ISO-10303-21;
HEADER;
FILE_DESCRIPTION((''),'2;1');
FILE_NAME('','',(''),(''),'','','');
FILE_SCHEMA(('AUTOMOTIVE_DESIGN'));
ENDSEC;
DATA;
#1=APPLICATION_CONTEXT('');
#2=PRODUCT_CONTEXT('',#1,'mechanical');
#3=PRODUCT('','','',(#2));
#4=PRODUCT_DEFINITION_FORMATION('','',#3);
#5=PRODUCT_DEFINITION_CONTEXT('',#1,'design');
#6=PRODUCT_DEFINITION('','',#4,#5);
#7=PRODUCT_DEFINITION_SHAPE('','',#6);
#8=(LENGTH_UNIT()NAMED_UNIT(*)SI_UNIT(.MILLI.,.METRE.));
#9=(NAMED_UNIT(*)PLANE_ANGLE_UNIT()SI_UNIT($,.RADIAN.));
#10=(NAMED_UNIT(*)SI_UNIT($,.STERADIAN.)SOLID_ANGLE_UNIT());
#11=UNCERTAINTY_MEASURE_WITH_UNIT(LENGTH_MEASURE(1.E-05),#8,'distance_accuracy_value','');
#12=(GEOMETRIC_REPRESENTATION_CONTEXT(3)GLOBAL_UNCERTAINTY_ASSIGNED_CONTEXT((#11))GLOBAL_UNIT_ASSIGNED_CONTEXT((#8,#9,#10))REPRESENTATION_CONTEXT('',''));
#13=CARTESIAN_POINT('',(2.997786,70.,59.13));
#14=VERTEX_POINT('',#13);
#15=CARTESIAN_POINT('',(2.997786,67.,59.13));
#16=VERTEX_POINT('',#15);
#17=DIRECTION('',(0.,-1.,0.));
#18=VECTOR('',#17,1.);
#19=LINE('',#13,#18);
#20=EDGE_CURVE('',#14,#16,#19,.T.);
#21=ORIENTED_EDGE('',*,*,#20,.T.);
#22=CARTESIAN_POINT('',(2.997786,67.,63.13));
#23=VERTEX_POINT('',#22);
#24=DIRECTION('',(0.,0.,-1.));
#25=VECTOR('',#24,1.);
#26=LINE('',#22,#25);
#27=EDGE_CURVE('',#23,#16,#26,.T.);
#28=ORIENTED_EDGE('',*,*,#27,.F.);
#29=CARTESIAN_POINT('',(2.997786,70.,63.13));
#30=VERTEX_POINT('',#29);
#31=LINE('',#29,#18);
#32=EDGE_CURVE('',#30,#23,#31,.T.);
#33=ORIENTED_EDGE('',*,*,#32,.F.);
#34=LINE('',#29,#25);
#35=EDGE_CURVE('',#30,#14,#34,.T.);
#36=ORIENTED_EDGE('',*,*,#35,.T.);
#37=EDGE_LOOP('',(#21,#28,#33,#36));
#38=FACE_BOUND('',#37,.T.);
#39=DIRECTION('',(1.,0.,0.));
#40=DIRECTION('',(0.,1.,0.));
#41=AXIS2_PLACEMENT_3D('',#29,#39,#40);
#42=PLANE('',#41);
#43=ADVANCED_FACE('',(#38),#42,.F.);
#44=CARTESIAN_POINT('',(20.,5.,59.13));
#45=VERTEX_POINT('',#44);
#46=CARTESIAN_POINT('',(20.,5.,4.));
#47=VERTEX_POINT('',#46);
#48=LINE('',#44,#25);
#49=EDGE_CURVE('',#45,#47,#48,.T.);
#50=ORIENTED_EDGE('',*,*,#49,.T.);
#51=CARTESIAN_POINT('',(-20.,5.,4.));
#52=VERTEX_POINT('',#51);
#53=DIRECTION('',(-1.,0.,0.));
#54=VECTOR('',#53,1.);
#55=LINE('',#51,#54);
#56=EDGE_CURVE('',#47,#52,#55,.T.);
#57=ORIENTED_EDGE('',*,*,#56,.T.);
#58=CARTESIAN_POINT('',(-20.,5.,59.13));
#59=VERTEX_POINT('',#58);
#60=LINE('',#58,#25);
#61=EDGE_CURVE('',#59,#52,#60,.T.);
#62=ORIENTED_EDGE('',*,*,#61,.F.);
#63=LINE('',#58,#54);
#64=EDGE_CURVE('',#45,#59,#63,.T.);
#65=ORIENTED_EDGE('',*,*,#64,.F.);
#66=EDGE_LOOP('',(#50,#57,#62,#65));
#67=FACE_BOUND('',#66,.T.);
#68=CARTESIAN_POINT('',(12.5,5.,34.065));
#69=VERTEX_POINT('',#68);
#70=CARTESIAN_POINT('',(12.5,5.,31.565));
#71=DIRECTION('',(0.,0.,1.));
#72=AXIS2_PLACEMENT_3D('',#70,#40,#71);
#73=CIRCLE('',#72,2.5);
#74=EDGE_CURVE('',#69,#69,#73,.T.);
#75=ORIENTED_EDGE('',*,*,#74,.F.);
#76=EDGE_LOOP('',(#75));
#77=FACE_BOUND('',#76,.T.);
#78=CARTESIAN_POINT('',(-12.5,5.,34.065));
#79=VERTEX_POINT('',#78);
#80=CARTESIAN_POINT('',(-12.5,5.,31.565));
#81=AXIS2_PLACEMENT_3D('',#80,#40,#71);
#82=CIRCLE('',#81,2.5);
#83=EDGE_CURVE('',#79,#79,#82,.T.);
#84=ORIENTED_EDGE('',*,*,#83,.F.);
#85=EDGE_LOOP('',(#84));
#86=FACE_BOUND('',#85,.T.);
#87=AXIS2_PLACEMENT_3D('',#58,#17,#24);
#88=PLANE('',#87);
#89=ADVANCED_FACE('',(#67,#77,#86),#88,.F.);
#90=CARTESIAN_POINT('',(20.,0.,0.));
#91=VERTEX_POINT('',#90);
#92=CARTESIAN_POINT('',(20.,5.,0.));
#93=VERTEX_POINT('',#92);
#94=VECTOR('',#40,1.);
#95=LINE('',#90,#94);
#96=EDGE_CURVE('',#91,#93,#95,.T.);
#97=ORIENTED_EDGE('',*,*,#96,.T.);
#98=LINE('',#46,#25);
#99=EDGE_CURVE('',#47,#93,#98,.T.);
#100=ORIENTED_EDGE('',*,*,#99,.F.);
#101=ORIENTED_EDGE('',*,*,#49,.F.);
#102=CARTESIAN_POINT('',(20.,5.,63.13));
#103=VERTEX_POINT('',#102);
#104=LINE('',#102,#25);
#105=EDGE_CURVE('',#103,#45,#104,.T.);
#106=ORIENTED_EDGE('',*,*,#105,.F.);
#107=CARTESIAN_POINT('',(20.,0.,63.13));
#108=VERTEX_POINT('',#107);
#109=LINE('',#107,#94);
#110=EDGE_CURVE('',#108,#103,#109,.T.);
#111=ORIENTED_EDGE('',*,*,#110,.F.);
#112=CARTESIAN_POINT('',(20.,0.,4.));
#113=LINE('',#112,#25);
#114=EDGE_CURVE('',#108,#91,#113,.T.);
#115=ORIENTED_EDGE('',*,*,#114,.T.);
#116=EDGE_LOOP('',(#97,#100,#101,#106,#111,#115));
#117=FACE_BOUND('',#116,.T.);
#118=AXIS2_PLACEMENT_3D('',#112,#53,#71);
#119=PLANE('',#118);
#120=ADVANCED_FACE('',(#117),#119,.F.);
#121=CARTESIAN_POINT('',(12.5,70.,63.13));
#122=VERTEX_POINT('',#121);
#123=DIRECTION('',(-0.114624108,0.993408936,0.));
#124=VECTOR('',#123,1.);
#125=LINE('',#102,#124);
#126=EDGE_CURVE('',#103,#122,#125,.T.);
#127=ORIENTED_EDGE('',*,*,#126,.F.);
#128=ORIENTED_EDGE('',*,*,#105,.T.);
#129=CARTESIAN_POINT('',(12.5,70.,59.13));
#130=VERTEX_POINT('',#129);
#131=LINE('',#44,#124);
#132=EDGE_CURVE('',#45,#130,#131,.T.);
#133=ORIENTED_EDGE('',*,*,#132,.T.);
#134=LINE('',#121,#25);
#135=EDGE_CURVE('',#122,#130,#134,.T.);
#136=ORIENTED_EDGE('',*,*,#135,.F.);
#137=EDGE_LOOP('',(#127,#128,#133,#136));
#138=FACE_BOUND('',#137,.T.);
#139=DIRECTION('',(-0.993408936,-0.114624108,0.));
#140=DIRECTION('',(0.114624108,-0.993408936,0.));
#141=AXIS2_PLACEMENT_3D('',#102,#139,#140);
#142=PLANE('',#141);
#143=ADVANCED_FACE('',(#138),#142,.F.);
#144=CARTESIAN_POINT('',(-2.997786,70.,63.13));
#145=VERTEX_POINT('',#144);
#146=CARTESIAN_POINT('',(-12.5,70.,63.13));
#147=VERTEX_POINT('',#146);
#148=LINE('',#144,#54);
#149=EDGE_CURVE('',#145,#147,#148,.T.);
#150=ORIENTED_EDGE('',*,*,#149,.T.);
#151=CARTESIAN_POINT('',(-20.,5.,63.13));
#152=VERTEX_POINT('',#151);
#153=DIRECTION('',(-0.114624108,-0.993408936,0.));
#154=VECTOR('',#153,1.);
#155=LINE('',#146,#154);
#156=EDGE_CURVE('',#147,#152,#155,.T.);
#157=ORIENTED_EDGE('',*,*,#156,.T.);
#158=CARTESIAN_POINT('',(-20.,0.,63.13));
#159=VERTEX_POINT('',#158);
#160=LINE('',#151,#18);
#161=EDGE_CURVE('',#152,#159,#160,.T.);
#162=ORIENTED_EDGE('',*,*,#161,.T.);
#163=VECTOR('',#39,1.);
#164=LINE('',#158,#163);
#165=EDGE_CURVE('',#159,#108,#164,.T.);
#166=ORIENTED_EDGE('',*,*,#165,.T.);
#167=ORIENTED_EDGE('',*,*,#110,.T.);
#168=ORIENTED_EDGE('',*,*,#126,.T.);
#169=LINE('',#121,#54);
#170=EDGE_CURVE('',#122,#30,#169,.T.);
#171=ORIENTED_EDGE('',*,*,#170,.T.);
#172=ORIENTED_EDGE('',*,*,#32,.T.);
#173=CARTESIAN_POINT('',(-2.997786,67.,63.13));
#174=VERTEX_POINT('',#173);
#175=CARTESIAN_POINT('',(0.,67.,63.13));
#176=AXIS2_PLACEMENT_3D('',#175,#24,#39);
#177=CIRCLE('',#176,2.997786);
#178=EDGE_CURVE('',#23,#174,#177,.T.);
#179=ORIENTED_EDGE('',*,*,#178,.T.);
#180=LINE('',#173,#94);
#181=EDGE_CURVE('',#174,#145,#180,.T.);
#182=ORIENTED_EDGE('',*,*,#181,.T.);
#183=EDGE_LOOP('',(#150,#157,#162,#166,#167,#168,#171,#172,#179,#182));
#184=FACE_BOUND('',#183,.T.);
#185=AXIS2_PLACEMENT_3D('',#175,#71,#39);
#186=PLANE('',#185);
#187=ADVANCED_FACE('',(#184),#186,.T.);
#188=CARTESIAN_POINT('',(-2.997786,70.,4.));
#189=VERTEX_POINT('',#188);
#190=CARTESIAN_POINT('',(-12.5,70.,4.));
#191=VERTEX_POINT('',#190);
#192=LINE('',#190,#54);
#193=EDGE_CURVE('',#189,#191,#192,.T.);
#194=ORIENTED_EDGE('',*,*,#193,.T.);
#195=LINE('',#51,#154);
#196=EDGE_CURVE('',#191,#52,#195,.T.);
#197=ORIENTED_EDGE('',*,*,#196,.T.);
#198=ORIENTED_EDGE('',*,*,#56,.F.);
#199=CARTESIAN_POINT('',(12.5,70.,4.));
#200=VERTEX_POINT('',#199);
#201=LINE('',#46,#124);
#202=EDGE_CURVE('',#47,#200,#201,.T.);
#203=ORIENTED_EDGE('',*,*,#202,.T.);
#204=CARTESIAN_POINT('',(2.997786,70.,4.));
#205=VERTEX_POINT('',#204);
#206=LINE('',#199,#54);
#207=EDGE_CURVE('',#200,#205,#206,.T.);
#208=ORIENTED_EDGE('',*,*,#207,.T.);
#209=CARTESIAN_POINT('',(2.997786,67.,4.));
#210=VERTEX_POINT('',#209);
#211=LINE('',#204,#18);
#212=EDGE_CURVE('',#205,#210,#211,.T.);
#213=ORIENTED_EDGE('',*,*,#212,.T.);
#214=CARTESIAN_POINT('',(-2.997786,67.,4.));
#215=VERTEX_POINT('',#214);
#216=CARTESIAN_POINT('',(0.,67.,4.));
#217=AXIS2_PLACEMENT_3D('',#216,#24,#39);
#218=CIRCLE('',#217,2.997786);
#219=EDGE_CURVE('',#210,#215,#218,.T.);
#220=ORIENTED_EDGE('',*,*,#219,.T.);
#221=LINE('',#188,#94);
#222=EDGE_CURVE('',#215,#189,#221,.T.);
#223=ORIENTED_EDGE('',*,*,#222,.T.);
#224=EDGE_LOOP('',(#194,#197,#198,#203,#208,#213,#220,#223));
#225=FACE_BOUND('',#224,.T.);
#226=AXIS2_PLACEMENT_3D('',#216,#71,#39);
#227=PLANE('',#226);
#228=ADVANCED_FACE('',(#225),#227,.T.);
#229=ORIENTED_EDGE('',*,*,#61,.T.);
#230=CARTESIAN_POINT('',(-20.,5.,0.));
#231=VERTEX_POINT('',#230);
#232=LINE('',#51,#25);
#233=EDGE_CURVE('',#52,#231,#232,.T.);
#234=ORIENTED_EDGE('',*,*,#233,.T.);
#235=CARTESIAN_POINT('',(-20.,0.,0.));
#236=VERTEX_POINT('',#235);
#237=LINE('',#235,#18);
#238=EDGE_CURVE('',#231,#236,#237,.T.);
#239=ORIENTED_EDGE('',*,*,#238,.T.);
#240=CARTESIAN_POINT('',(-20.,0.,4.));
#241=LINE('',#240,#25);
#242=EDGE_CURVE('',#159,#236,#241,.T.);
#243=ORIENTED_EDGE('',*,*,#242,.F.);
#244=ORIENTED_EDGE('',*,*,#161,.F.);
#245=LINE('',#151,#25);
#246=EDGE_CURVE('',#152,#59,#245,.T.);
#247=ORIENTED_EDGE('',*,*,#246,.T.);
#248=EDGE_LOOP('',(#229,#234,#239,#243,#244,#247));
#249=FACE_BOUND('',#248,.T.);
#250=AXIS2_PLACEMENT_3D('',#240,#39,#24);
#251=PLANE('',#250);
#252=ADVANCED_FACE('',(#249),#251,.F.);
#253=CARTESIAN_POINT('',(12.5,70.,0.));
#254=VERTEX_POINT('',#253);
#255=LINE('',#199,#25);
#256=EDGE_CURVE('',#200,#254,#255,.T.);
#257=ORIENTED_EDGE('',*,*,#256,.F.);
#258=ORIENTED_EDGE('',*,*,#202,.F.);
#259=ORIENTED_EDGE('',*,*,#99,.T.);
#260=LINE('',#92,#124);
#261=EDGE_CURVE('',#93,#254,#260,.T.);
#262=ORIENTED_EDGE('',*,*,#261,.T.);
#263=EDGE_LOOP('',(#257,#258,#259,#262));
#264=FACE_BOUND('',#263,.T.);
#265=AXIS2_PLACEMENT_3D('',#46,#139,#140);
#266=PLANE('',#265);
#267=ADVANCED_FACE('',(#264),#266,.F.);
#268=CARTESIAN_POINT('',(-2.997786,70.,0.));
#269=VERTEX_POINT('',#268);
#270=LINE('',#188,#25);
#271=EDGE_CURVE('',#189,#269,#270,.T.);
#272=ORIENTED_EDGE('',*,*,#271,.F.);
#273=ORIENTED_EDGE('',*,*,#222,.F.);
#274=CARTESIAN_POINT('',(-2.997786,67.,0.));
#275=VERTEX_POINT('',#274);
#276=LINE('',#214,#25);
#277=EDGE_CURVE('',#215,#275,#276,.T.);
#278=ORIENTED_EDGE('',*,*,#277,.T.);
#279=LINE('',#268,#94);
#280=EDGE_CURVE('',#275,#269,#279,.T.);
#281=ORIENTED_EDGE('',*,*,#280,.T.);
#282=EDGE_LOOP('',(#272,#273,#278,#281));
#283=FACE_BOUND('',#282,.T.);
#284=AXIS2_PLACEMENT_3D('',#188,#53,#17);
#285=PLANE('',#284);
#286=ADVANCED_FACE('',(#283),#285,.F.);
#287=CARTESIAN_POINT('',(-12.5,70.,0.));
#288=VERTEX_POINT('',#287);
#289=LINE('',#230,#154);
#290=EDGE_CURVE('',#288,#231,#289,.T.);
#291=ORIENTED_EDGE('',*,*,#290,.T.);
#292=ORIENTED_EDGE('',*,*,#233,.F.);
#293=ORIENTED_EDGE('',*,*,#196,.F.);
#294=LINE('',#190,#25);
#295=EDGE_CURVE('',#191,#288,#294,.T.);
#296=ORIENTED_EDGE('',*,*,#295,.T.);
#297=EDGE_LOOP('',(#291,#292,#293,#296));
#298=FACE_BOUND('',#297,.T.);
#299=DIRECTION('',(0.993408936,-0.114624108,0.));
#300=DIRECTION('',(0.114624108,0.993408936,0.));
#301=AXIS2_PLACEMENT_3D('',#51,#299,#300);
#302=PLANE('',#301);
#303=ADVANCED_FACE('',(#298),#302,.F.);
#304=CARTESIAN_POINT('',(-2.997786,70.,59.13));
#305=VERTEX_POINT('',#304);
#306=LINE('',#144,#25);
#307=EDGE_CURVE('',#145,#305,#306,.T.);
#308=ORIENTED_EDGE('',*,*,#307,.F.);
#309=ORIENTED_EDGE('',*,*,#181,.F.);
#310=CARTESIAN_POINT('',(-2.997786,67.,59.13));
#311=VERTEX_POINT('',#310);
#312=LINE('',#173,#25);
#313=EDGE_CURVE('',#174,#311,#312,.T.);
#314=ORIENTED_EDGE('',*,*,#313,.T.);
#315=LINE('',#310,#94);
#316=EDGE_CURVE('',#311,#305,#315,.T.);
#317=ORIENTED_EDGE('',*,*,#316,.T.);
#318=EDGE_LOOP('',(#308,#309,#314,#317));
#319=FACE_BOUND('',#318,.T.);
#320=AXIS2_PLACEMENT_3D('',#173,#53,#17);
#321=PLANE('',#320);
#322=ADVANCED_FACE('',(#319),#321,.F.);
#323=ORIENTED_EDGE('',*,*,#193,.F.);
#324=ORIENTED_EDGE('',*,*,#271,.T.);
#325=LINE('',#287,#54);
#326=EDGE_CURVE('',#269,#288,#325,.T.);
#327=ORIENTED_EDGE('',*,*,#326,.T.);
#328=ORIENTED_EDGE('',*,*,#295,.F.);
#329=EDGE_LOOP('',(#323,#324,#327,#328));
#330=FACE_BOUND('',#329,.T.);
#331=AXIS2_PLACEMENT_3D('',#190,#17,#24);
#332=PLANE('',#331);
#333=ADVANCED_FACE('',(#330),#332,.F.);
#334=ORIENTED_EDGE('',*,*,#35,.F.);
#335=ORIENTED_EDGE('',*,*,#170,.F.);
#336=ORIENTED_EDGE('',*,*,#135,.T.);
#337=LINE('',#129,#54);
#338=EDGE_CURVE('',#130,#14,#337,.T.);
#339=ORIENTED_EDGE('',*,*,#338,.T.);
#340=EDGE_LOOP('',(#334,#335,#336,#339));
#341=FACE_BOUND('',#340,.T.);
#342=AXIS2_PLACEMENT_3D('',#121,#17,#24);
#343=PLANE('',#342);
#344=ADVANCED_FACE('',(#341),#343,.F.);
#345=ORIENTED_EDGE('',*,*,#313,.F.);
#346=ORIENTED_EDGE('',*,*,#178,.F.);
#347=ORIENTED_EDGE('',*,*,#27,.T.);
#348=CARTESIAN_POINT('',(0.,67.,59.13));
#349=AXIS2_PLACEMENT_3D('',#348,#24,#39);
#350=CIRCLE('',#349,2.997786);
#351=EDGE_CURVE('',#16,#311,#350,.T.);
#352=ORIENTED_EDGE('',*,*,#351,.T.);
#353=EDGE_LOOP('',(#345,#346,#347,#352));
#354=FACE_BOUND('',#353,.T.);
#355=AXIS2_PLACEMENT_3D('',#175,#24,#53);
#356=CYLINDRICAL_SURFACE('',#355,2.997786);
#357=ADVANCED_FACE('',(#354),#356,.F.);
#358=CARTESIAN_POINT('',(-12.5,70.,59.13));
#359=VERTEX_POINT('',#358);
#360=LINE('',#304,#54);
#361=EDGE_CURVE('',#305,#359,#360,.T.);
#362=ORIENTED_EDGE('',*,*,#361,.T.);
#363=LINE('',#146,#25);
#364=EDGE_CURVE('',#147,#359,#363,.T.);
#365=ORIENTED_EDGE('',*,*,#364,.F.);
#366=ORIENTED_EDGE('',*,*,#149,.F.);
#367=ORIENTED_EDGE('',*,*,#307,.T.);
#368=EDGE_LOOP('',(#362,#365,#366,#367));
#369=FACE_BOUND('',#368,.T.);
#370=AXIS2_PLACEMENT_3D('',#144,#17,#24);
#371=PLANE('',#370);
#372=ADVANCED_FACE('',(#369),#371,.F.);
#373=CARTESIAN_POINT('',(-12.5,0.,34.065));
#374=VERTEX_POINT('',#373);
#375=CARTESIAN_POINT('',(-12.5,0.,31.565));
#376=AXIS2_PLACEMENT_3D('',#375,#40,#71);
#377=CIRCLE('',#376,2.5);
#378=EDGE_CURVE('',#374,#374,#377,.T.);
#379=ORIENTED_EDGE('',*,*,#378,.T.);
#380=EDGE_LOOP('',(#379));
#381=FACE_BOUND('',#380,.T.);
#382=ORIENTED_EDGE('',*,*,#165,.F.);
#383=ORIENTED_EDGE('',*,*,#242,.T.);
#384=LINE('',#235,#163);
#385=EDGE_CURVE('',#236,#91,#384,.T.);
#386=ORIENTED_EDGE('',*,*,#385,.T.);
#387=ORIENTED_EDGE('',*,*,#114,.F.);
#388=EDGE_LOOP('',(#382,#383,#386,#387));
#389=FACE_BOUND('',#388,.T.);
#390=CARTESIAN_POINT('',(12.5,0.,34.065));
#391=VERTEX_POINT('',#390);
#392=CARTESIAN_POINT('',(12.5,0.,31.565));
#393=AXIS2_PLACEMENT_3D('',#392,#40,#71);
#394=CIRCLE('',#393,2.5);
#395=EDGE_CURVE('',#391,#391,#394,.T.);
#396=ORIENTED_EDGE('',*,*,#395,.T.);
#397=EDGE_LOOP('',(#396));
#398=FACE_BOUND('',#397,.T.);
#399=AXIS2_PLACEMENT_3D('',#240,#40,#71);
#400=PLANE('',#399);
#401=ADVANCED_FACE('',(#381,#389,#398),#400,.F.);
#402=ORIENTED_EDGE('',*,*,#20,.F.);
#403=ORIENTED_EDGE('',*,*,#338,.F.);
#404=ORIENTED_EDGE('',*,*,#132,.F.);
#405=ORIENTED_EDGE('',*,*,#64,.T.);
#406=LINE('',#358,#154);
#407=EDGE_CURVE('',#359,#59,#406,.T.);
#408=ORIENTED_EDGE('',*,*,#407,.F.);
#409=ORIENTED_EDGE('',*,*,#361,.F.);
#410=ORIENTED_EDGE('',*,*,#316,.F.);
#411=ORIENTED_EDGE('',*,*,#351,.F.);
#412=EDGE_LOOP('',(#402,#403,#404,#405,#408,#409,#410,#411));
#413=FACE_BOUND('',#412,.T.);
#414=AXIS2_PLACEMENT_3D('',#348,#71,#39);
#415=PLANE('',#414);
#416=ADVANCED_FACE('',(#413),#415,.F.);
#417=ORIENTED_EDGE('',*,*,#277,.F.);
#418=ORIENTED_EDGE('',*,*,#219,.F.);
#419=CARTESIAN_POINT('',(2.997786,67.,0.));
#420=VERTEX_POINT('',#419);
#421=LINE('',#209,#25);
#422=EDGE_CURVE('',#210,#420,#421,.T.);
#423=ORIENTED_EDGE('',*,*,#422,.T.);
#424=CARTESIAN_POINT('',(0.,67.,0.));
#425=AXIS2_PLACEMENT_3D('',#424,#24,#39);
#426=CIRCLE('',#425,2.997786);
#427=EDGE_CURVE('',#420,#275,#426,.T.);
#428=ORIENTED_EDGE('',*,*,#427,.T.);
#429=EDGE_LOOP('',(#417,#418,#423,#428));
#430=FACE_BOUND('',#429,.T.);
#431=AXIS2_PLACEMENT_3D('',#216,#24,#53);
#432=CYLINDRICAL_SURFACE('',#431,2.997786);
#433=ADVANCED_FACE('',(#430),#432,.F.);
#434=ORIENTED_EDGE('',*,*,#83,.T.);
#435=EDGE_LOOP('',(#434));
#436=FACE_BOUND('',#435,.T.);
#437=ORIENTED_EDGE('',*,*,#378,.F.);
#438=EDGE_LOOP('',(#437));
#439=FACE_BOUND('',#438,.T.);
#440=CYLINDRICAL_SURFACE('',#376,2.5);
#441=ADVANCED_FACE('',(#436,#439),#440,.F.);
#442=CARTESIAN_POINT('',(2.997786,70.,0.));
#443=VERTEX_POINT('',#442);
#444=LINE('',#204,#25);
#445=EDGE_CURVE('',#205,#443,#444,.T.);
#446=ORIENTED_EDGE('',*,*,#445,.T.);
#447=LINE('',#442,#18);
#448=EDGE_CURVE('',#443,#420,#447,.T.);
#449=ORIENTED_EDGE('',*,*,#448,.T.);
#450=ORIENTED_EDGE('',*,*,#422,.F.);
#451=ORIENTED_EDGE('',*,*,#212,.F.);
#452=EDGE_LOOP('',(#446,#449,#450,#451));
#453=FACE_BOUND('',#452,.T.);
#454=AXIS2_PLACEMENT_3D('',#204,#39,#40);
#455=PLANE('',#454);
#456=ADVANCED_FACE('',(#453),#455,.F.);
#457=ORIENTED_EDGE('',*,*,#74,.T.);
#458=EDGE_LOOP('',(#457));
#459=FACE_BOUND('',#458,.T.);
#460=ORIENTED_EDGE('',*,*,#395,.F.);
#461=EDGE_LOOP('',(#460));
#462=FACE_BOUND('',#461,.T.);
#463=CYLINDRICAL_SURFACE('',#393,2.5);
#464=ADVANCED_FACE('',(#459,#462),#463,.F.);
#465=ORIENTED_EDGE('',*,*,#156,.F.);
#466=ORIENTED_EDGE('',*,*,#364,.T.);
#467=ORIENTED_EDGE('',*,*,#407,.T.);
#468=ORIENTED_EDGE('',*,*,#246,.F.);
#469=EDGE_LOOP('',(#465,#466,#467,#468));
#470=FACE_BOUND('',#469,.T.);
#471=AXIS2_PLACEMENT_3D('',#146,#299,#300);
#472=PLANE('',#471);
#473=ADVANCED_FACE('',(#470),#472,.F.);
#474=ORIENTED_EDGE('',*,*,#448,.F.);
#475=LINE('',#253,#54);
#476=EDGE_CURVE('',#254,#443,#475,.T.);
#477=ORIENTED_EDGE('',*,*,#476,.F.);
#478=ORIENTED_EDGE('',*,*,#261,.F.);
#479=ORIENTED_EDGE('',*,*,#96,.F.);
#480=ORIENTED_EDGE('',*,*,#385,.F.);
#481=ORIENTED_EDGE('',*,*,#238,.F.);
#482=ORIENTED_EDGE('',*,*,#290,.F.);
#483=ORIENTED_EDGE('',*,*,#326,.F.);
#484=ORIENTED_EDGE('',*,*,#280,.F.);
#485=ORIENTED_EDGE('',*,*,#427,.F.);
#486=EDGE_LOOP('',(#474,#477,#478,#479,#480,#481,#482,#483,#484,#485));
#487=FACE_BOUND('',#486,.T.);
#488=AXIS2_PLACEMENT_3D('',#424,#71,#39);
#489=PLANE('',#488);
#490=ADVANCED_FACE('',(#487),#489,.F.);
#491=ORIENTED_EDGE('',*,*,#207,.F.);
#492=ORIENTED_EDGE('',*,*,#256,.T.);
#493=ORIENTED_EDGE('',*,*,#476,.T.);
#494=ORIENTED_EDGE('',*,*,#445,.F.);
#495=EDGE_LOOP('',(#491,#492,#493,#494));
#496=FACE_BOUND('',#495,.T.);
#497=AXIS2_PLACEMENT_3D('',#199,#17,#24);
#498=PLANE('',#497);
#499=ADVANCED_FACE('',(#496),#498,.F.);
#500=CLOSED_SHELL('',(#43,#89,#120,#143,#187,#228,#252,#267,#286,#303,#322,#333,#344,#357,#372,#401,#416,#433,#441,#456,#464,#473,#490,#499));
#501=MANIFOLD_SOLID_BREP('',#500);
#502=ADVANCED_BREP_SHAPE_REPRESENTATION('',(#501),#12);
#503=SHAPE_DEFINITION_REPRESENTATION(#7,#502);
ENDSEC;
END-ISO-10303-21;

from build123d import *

# Parameters (mm, degrees)
ESTRUSIONE_ESTRUSIONE1_DEPTH = 4
SCHIZZO2_W                   = 40
SCHIZZO2_H                   = 5
ESTRUSIONE_ESTRUSIONE2_DEPTH = 55.13
ESTRUSIONE_ESTRUSIONE3_DEPTH = 4
SCHIZZO4_R                   = 2.5
TAGLIO_ESTRUSIONE1_DEPTH     = 93.792224351


with BuildPart() as part:
    # Schizzo1 → Estrusione-Estrusione1 (new body)
    with BuildSketch(Plane.XY):
        with BuildLine():
            Line((-20, 0), (20, 0))
            Line((20, 0), (20, 5))
            Line((20, 5), (12.5, 70))
            Line((12.5, 70), (2.997785692, 70))
            Line((2.997785692, 70), (2.997785692, 67))
            ThreePointArc((2.997785692, 67), (0, 64.002214308), (-2.997785692, 67))
            Line((-2.997785692, 67), (-2.997785692, 70))
            Line((-2.997785692, 70), (-12.5, 70))
            Line((-12.5, 70), (-20, 5))
            Line((-20, 5), (-20, 0))
        make_face()
    extrude(amount=ESTRUSIONE_ESTRUSIONE1_DEPTH)

    # Schizzo2 → Estrusione-Estrusione2 (add)
    with BuildSketch(Plane.XY.offset(4)):
        with Locations((0, 2.5)):
            Rectangle(SCHIZZO2_W, SCHIZZO2_H)
    extrude(amount=ESTRUSIONE_ESTRUSIONE2_DEPTH)

    # Schizzo3 → Estrusione-Estrusione3 (add)
    with BuildSketch(Plane.XY.offset(59.13)):
        with BuildLine():
            Line((20, 5), (12.5, 70))
            Line((12.5, 70), (2.997785692, 70))
            Line((2.997785692, 70), (2.997785692, 67))
            ThreePointArc((2.997785692, 67), (0, 64.002214308), (-2.997785692, 67))
            Line((-2.997785692, 67), (-2.997785692, 70))
            Line((-2.997785692, 70), (-12.5, 70))
            Line((-12.5, 70), (-20, 5))
            Line((-20, 5), (-20, 0))
            Line((-20, 0), (20, 0))
            Line((20, 0), (20, 5))
        make_face()
    extrude(amount=ESTRUSIONE_ESTRUSIONE3_DEPTH)

    # Schizzo4 → Taglio-Estrusione1 (cut, through all)
    with BuildSketch(Plane(origin=(0, 5, 0), x_dir=(1, 0, 0), z_dir=(0, 1, 0))):
        with Locations(Location((12.5, -31.565, 0), (0, 0, 270))):
            Circle(SCHIZZO4_R)
        with Locations(Location((-12.5, -31.565, 0), (0, 0, 270))):
            Circle(SCHIZZO4_R)
    extrude(amount=-TAGLIO_ESTRUSIONE1_DEPTH, mode=Mode.SUBTRACT)


solid = part.part
